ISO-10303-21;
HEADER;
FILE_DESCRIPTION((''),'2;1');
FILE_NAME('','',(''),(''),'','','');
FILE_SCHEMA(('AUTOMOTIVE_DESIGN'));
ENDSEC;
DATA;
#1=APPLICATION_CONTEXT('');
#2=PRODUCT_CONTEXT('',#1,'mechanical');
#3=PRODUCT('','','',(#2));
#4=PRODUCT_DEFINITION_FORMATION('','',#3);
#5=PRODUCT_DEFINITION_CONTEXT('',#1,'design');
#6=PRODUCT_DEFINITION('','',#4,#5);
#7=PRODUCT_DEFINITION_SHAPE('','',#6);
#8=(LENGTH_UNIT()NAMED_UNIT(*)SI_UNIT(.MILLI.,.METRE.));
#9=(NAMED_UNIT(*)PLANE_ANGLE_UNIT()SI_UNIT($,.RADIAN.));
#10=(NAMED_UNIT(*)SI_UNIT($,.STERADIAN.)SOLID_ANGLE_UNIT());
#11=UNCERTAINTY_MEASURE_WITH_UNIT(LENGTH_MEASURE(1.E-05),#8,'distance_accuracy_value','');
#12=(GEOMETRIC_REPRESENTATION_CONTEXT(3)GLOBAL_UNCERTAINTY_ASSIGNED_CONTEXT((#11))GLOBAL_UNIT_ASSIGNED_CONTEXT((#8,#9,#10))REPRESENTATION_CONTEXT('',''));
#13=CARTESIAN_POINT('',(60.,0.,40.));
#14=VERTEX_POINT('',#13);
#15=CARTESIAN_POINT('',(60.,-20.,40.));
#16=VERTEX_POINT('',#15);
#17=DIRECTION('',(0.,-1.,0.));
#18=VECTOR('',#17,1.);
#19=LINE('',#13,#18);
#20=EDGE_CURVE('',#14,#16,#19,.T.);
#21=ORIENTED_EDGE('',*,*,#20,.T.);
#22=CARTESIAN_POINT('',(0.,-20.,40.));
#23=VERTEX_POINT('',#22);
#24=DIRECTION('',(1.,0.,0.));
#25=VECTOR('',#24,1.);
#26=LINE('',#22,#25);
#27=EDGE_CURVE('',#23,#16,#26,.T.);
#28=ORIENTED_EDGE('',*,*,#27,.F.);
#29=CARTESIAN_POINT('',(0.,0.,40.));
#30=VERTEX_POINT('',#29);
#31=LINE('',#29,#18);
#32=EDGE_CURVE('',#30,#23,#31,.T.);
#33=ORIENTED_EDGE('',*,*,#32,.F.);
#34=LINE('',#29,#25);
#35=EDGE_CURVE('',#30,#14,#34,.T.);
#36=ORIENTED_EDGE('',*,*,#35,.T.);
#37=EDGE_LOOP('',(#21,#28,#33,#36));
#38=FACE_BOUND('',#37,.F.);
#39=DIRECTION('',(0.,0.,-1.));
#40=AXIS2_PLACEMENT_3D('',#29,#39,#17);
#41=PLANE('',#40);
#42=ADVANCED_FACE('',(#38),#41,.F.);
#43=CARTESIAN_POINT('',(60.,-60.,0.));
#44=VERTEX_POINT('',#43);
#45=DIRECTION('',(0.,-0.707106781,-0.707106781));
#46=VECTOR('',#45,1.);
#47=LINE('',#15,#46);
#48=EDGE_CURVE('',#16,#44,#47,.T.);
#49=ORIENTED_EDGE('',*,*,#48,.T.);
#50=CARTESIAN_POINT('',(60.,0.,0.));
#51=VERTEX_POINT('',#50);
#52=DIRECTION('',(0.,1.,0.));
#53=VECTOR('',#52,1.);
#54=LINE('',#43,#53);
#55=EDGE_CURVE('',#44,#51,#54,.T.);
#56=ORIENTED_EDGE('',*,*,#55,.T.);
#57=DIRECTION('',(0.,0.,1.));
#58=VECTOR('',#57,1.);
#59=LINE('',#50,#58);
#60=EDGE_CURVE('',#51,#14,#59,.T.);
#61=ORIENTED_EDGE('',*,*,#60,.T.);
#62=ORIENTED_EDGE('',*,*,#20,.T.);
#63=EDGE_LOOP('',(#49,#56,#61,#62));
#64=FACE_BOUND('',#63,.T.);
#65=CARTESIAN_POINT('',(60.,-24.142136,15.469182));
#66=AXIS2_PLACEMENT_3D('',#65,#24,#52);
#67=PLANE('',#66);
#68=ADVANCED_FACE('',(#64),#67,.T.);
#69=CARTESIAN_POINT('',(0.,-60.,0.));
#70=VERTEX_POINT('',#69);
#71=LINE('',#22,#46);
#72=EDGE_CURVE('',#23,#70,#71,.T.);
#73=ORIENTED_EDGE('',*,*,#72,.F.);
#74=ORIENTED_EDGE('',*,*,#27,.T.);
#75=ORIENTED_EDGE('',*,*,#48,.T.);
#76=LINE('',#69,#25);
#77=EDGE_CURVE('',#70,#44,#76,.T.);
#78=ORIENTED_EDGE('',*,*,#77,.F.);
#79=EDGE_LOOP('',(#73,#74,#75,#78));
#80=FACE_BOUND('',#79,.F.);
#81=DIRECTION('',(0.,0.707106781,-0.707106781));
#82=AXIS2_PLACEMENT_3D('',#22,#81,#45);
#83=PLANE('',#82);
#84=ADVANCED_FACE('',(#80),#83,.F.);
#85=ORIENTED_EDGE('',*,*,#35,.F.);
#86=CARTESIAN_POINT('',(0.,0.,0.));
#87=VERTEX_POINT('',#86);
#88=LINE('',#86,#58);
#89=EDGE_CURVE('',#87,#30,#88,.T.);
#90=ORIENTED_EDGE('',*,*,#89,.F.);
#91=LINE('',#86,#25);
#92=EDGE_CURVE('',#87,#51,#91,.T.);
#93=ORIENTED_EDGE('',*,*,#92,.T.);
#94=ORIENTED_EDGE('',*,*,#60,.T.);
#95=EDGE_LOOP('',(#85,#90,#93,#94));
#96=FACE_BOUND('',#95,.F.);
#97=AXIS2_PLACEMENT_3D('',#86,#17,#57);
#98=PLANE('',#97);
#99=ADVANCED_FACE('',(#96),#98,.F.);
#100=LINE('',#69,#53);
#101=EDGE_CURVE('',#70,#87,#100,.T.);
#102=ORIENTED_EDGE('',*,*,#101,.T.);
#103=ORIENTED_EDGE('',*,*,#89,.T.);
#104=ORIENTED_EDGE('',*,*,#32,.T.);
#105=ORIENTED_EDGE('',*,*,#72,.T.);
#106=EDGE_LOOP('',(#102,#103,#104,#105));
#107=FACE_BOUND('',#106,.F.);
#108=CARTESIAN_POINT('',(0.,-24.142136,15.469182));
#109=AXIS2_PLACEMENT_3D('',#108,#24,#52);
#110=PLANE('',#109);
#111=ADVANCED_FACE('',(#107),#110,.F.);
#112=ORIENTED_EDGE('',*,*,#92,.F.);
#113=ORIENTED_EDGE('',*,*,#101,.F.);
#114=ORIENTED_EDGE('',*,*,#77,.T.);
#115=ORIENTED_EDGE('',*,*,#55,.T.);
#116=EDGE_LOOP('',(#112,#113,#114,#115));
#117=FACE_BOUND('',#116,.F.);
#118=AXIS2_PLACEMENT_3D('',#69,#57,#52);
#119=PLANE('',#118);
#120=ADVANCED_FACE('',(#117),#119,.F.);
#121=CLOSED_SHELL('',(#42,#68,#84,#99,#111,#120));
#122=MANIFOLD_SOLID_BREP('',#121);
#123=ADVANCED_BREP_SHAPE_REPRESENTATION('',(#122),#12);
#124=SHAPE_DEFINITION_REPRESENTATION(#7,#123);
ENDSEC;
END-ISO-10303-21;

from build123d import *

# Parameters (mm, degrees)
F1_DEPTH  = 60
F1_FACE_W = 60
F1_FACE_H = 56.5685424949


with BuildPart() as f1:
    # F0 (on Right) → F1 (new body)
    with BuildSketch(Plane.YZ):
        Polygon((-60, 0), (0, 0), (0, 40), (-20, 40), align=None)
    extrude(amount=F1_DEPTH)

    # F1_face (on face) → F2 section 0
    with BuildSketch(Plane(origin=(30, -40, 20), x_dir=(1, 0, 0), z_dir=(0, -0.7071067812, 0.7071067812)), mode=Mode.PRIVATE) as f2_s0:
        Rectangle(F1_FACE_W, F1_FACE_H)
    loft([Vertex(0, 0, 0), f2_s0.sketch])


solid = f1.part
